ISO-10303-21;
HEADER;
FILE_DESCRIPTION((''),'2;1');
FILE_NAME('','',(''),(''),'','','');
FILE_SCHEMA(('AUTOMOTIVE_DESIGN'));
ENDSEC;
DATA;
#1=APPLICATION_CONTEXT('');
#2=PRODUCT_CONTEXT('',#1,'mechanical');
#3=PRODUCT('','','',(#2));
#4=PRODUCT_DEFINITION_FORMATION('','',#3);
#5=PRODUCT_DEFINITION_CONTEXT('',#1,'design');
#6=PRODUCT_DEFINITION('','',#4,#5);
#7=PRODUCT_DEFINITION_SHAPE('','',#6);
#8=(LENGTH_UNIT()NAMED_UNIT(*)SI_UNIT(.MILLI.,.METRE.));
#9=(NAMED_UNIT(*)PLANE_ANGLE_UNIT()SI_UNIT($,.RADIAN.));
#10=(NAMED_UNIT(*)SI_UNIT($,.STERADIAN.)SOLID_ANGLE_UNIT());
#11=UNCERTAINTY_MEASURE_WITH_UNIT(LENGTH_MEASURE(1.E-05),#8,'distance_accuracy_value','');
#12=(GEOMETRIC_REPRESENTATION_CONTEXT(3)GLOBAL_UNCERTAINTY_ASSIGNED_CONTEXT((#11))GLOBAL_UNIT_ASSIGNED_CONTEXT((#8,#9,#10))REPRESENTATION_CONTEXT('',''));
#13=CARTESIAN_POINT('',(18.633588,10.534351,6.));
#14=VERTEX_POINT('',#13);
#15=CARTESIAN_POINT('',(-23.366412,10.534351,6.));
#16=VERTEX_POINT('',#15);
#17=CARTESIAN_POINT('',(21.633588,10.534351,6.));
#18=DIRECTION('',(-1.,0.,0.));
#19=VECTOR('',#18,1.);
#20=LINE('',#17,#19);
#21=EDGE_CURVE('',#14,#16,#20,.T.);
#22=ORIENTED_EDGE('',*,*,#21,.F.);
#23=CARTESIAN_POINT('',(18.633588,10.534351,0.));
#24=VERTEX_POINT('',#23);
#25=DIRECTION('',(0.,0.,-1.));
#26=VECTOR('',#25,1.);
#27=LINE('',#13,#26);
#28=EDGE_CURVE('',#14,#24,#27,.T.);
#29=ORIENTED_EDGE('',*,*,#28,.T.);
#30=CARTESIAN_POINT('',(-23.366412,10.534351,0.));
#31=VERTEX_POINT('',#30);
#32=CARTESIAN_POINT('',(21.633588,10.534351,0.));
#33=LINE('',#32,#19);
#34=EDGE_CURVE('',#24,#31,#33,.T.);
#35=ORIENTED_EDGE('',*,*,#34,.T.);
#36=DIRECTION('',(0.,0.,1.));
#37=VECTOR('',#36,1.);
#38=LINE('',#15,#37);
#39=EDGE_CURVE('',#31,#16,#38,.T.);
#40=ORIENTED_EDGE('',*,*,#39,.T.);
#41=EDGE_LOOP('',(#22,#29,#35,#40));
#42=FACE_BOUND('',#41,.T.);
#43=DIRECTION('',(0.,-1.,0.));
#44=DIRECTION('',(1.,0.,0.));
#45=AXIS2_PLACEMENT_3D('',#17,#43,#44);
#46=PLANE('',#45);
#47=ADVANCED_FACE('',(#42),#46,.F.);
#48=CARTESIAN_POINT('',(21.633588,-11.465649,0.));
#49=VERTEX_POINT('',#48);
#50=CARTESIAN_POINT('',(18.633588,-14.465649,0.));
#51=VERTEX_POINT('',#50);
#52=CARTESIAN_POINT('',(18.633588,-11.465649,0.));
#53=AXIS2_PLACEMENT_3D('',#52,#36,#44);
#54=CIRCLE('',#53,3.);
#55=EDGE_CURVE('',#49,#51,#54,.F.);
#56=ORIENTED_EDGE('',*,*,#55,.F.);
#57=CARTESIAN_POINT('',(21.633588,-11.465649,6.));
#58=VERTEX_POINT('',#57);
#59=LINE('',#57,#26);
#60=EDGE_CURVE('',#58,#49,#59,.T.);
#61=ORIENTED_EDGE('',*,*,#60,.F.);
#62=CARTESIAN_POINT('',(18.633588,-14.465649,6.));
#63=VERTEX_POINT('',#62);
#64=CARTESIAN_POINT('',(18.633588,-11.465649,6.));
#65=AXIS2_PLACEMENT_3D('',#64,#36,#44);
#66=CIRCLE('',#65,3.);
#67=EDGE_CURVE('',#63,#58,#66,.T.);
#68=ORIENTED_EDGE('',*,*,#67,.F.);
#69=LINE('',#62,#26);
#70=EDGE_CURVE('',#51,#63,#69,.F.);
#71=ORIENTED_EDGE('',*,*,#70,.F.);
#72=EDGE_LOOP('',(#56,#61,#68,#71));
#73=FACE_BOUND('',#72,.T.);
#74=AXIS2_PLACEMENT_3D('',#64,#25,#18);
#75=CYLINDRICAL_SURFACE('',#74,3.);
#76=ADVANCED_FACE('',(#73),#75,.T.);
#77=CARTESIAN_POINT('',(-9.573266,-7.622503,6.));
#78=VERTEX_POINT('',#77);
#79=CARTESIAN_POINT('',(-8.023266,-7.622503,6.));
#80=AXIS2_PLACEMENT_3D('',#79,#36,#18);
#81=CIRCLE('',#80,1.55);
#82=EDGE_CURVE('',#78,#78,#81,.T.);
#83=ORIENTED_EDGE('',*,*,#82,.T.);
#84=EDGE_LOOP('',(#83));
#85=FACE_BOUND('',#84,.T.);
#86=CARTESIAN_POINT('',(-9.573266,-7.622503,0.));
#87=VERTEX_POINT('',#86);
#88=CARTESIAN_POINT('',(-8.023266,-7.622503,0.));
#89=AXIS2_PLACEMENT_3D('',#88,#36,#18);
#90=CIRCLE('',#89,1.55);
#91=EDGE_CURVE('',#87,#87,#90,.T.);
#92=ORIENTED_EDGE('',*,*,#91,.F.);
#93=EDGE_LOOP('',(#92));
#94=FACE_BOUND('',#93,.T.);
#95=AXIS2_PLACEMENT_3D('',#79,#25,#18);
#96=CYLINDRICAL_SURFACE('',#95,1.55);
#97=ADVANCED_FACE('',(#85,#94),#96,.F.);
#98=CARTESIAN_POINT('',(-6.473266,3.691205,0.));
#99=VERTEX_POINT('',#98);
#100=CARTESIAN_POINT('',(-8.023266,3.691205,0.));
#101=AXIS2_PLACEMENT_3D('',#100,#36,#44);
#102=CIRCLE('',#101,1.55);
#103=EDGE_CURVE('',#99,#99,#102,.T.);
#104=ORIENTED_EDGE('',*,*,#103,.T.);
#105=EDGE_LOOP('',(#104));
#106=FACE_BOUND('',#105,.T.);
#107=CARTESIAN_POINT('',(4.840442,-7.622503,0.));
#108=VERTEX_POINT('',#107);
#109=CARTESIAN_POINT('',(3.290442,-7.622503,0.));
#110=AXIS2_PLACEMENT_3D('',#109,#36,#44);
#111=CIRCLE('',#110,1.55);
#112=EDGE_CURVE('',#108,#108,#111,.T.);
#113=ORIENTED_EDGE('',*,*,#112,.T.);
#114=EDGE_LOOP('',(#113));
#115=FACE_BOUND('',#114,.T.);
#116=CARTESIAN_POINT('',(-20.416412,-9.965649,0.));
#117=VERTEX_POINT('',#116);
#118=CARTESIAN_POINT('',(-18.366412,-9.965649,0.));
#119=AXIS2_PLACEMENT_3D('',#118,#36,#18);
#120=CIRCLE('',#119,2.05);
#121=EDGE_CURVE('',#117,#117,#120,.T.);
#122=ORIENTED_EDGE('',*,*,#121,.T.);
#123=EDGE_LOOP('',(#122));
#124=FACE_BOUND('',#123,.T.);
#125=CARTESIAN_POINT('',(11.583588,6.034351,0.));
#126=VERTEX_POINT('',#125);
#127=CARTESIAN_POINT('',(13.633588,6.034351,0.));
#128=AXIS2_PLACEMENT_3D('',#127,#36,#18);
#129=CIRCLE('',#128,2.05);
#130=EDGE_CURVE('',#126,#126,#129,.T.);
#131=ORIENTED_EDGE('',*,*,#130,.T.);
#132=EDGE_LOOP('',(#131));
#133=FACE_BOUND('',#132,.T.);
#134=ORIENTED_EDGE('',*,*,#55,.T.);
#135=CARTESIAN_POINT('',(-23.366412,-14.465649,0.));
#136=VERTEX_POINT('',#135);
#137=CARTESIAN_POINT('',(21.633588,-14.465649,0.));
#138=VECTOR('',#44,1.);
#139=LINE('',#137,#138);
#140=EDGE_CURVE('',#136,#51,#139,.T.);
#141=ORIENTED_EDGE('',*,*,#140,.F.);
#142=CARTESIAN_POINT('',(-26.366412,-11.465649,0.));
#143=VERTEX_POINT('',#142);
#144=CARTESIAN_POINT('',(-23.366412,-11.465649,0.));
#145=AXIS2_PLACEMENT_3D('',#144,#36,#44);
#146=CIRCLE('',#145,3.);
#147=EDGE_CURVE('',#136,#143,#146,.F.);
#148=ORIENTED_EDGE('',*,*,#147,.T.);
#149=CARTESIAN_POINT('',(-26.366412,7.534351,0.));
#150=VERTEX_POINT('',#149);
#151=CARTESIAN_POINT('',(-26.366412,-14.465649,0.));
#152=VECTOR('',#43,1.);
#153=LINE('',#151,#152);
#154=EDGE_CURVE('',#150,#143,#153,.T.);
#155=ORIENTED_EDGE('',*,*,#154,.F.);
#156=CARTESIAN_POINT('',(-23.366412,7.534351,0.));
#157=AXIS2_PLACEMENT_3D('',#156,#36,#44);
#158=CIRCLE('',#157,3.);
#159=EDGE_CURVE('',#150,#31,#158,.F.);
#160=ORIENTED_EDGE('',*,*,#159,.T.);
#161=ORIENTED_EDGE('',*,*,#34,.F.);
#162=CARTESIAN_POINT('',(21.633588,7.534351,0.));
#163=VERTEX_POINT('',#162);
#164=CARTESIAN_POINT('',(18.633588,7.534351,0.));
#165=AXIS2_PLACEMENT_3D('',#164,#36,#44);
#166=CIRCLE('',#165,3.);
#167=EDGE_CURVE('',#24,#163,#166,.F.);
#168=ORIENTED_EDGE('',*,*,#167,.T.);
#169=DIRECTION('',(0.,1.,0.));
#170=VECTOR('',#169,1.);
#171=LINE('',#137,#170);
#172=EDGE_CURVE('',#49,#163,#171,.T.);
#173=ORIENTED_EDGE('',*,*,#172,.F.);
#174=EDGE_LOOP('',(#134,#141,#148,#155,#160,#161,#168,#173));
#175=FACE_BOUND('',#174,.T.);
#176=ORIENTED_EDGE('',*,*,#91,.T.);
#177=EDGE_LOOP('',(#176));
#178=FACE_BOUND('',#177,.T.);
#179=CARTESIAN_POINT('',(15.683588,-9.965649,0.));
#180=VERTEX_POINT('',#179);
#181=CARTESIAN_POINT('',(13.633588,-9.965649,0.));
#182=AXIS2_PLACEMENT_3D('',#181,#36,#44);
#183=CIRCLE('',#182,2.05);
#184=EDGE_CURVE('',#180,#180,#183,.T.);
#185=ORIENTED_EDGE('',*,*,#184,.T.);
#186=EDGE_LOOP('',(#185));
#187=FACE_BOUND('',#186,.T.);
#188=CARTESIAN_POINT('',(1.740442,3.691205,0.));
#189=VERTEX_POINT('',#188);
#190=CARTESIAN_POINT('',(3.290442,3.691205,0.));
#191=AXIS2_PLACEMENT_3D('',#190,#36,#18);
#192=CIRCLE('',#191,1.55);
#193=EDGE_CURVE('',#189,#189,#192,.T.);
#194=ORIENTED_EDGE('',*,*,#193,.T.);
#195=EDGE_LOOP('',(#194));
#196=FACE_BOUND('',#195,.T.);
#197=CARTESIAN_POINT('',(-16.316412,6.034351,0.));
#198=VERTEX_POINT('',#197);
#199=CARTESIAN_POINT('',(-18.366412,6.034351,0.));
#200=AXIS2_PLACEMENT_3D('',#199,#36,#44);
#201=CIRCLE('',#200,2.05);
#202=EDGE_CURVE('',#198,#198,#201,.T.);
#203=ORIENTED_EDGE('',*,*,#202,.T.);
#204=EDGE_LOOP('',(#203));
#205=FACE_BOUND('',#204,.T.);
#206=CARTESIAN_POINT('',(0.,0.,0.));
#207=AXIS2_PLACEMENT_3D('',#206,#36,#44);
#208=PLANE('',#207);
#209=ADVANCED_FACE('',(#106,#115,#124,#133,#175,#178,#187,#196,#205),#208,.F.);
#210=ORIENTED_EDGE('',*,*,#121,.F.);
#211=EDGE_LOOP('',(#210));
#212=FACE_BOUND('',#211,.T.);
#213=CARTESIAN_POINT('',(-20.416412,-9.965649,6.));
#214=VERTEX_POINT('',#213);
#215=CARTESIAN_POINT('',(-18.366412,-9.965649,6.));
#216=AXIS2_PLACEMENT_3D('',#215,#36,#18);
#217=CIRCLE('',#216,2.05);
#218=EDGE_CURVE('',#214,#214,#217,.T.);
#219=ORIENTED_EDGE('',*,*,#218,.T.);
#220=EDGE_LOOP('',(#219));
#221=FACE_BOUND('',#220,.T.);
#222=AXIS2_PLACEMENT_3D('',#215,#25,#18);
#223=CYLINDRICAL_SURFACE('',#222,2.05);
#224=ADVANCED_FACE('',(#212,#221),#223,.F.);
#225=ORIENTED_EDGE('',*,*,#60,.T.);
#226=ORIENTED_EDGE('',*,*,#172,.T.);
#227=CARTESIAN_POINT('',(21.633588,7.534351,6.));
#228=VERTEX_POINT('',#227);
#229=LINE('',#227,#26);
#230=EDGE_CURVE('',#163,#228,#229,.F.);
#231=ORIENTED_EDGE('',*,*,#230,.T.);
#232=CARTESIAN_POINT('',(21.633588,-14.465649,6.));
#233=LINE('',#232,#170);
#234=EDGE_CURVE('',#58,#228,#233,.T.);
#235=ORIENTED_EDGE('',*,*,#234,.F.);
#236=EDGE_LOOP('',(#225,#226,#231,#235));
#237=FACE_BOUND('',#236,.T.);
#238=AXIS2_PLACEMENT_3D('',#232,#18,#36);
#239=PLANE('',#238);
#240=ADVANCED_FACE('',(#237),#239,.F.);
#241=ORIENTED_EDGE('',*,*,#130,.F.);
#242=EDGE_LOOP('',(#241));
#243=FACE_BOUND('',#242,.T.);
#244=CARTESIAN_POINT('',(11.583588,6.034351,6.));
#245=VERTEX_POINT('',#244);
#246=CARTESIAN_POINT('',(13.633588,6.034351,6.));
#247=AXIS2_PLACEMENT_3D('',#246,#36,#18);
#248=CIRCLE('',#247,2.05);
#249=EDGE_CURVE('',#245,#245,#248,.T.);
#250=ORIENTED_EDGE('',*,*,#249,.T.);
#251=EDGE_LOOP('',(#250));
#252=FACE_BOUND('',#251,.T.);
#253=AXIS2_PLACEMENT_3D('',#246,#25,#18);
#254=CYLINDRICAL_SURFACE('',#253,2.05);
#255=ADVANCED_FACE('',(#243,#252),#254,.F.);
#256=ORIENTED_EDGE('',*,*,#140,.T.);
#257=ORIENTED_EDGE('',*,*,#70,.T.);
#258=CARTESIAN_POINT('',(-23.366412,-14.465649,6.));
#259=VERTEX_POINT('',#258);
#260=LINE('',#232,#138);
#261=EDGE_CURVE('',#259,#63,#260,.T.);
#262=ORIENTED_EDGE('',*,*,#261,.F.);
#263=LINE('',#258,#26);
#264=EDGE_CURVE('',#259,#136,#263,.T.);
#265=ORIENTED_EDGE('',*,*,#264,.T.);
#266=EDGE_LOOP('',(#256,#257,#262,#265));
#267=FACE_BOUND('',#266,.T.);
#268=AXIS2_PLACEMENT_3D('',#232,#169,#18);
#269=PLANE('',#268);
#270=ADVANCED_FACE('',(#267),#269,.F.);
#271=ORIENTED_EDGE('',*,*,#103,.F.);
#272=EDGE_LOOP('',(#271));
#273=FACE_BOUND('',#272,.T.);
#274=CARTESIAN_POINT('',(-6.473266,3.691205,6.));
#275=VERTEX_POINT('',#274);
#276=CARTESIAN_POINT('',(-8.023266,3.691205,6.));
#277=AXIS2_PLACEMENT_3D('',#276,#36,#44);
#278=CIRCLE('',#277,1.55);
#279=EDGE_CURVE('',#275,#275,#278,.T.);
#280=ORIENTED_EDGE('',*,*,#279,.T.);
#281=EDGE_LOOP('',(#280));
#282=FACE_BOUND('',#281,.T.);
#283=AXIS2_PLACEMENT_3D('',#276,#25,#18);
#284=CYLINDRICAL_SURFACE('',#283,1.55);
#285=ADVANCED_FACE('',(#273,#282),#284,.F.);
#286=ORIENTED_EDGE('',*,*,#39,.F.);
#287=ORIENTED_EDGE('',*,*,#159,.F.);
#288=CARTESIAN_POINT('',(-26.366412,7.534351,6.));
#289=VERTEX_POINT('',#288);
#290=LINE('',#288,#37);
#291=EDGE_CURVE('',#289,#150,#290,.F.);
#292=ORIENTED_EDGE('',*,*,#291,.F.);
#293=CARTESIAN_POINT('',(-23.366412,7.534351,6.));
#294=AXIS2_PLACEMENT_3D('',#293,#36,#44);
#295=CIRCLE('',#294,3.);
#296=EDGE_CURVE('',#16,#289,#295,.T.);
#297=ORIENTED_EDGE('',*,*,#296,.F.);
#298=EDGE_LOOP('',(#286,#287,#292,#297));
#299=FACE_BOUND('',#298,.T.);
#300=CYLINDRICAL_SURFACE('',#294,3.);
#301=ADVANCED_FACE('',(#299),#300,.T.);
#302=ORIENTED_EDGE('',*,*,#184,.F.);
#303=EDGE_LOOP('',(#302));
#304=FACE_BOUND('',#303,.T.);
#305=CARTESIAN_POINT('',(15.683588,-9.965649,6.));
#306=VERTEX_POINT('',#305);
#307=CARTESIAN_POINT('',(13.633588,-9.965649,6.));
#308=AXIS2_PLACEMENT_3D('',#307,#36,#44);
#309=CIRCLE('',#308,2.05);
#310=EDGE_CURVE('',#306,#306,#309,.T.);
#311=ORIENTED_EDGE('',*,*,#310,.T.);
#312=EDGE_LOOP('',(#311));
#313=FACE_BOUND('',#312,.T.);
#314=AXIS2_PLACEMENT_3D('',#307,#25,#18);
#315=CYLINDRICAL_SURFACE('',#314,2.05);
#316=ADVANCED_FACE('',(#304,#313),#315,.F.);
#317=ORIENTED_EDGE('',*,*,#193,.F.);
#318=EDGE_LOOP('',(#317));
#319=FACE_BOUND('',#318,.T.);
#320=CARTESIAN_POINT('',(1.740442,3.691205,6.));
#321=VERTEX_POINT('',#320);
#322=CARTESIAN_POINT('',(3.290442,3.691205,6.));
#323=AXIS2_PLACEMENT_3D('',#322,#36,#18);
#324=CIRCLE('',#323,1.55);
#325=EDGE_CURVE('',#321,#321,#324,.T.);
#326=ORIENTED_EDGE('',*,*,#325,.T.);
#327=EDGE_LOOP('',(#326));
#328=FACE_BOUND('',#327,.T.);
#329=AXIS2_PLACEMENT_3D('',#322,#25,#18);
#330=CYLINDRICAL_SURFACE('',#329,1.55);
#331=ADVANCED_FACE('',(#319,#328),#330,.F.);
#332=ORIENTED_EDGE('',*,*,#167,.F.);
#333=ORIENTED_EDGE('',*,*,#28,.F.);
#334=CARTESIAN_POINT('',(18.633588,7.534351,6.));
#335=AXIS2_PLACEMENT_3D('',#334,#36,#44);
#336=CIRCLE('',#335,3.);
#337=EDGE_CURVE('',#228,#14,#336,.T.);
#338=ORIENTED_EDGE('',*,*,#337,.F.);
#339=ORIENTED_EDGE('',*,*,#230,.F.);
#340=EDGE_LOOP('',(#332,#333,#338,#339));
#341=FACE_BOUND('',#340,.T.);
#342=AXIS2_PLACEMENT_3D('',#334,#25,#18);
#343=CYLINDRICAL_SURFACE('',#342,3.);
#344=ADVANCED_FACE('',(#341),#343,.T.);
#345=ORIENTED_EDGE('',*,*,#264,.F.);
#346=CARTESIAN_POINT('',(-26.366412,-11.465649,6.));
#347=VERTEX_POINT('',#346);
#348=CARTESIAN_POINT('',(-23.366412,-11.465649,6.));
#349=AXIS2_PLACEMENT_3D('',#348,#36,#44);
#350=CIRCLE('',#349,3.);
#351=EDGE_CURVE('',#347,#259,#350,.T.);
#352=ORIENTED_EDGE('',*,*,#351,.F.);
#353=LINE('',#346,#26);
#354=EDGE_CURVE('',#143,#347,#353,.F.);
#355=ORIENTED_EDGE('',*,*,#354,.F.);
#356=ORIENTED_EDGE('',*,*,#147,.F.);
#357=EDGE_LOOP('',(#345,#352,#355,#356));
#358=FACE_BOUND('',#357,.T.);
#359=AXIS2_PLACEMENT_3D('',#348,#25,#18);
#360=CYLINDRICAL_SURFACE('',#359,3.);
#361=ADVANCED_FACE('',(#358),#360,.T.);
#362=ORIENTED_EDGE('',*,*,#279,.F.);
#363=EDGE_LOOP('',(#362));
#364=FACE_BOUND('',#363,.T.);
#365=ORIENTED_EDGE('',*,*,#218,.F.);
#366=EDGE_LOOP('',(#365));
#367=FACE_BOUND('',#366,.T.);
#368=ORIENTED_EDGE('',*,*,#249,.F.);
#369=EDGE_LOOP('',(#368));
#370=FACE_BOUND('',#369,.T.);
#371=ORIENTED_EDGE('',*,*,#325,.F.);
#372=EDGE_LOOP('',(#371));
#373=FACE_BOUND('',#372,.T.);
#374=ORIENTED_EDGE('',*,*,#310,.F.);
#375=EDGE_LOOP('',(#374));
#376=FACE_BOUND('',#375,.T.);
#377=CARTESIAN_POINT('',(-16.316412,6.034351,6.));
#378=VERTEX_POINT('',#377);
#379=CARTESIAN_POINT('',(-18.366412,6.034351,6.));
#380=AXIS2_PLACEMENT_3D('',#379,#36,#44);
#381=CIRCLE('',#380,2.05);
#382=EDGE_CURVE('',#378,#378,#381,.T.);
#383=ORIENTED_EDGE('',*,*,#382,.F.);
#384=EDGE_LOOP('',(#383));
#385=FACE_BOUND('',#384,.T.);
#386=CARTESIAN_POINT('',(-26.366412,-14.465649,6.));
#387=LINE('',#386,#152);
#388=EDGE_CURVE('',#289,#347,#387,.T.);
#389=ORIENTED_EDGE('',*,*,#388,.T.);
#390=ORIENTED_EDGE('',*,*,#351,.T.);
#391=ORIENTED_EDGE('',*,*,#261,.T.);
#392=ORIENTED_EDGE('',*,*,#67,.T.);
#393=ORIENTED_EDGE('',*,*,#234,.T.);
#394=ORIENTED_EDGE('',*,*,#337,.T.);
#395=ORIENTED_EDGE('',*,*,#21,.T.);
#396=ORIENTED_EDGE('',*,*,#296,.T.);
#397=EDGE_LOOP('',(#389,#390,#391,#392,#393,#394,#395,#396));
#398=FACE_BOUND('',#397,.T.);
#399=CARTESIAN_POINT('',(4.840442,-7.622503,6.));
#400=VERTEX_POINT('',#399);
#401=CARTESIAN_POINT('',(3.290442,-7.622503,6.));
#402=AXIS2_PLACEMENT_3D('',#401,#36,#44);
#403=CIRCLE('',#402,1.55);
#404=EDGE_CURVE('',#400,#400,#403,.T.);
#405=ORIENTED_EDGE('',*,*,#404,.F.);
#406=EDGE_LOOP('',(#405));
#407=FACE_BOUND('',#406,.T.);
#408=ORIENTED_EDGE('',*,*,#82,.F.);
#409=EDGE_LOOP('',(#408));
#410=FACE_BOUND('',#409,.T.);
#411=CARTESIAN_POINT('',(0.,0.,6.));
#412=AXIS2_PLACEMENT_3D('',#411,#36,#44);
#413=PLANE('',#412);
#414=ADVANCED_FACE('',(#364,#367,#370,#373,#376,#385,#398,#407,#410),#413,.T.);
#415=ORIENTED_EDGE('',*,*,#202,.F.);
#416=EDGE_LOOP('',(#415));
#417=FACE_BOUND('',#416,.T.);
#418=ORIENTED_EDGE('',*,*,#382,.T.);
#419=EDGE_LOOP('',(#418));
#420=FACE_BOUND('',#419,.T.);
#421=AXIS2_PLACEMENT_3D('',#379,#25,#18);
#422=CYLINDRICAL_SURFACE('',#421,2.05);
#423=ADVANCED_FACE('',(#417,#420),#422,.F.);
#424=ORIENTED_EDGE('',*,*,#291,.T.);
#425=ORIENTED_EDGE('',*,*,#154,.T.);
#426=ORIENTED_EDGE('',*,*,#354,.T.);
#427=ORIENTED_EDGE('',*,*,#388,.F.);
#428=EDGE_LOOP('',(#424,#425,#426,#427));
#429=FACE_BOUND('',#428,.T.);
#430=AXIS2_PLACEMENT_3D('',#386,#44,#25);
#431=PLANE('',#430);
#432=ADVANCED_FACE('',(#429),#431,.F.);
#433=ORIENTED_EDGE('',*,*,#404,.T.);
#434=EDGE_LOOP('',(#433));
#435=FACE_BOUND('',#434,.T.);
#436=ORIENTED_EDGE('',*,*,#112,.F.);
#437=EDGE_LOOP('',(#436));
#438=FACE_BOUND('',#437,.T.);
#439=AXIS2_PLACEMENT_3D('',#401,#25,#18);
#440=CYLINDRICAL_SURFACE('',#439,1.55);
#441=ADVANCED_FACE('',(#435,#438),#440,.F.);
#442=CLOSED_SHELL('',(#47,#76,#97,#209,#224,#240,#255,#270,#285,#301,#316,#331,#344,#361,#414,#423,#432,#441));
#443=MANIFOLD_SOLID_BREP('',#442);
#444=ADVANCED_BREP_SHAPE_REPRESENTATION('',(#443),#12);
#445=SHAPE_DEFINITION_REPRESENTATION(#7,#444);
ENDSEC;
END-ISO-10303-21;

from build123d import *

# Parameters (mm, degrees)
SKETCH1_W           = 48
SKETCH1_H           = 25
SKETCH1_R           = 1.55
SKETCH1_R_2         = 2.05
BOSS_EXTRUDE1_DEPTH = 6
FILLET1_R           = 3
FILLET2_R           = 3
FILLET3_R           = 3
FILLET4_R           = 3


with BuildPart() as part:
    # Sketch1 → Boss-Extrude1 (new body)
    with BuildSketch(Plane.XY):
        with Locations((-2.366412214, -1.965648855)):
            Rectangle(SKETCH1_W, SKETCH1_H)
        with Locations((-8.023266463, 3.691205395)):
            Circle(SKETCH1_R, mode=Mode.SUBTRACT)
        with Locations((-8.023266463, -7.622503104)):
            Circle(SKETCH1_R, mode=Mode.SUBTRACT)
        with Locations((3.290442036, -7.622503104)):
            Circle(SKETCH1_R, mode=Mode.SUBTRACT)
        with Locations((3.290442036, 3.691205395)):
            Circle(SKETCH1_R, mode=Mode.SUBTRACT)
        with Locations((-18.366412214, 6.034351145)):
            Circle(SKETCH1_R_2, mode=Mode.SUBTRACT)
        with Locations((13.633587786, 6.034351145)):
            Circle(SKETCH1_R_2, mode=Mode.SUBTRACT)
        with Locations((13.633587786, -9.965648855)):
            Circle(SKETCH1_R_2, mode=Mode.SUBTRACT)
        with Locations((-18.366412214, -9.965648855)):
            Circle(SKETCH1_R_2, mode=Mode.SUBTRACT)
    extrude(amount=BOSS_EXTRUDE1_DEPTH)

    # Fillet1
    fillet1_edges = [part.edges().sort_by_distance(p)[0] for p in [
        (21.633587786, -14.465648855, 3),
    ]]
    fillet(fillet1_edges, radius=FILLET1_R)

    # Fillet2
    fillet2_edges = [part.edges().sort_by_distance(p)[0] for p in [
        (-26.366412214, -14.465648855, 3),
    ]]
    fillet(fillet2_edges, radius=FILLET2_R)

    # Fillet3
    fillet3_edges = [part.edges().sort_by_distance(p)[0] for p in [
        (21.633587786, 10.534351145, 3),
    ]]
    fillet(fillet3_edges, radius=FILLET3_R)

    # Fillet4
    fillet4_edges = [part.edges().sort_by_distance(p)[0] for p in [
        (-26.366412214, 10.534351145, 3),
    ]]
    fillet(fillet4_edges, radius=FILLET4_R)


solid = part.part
